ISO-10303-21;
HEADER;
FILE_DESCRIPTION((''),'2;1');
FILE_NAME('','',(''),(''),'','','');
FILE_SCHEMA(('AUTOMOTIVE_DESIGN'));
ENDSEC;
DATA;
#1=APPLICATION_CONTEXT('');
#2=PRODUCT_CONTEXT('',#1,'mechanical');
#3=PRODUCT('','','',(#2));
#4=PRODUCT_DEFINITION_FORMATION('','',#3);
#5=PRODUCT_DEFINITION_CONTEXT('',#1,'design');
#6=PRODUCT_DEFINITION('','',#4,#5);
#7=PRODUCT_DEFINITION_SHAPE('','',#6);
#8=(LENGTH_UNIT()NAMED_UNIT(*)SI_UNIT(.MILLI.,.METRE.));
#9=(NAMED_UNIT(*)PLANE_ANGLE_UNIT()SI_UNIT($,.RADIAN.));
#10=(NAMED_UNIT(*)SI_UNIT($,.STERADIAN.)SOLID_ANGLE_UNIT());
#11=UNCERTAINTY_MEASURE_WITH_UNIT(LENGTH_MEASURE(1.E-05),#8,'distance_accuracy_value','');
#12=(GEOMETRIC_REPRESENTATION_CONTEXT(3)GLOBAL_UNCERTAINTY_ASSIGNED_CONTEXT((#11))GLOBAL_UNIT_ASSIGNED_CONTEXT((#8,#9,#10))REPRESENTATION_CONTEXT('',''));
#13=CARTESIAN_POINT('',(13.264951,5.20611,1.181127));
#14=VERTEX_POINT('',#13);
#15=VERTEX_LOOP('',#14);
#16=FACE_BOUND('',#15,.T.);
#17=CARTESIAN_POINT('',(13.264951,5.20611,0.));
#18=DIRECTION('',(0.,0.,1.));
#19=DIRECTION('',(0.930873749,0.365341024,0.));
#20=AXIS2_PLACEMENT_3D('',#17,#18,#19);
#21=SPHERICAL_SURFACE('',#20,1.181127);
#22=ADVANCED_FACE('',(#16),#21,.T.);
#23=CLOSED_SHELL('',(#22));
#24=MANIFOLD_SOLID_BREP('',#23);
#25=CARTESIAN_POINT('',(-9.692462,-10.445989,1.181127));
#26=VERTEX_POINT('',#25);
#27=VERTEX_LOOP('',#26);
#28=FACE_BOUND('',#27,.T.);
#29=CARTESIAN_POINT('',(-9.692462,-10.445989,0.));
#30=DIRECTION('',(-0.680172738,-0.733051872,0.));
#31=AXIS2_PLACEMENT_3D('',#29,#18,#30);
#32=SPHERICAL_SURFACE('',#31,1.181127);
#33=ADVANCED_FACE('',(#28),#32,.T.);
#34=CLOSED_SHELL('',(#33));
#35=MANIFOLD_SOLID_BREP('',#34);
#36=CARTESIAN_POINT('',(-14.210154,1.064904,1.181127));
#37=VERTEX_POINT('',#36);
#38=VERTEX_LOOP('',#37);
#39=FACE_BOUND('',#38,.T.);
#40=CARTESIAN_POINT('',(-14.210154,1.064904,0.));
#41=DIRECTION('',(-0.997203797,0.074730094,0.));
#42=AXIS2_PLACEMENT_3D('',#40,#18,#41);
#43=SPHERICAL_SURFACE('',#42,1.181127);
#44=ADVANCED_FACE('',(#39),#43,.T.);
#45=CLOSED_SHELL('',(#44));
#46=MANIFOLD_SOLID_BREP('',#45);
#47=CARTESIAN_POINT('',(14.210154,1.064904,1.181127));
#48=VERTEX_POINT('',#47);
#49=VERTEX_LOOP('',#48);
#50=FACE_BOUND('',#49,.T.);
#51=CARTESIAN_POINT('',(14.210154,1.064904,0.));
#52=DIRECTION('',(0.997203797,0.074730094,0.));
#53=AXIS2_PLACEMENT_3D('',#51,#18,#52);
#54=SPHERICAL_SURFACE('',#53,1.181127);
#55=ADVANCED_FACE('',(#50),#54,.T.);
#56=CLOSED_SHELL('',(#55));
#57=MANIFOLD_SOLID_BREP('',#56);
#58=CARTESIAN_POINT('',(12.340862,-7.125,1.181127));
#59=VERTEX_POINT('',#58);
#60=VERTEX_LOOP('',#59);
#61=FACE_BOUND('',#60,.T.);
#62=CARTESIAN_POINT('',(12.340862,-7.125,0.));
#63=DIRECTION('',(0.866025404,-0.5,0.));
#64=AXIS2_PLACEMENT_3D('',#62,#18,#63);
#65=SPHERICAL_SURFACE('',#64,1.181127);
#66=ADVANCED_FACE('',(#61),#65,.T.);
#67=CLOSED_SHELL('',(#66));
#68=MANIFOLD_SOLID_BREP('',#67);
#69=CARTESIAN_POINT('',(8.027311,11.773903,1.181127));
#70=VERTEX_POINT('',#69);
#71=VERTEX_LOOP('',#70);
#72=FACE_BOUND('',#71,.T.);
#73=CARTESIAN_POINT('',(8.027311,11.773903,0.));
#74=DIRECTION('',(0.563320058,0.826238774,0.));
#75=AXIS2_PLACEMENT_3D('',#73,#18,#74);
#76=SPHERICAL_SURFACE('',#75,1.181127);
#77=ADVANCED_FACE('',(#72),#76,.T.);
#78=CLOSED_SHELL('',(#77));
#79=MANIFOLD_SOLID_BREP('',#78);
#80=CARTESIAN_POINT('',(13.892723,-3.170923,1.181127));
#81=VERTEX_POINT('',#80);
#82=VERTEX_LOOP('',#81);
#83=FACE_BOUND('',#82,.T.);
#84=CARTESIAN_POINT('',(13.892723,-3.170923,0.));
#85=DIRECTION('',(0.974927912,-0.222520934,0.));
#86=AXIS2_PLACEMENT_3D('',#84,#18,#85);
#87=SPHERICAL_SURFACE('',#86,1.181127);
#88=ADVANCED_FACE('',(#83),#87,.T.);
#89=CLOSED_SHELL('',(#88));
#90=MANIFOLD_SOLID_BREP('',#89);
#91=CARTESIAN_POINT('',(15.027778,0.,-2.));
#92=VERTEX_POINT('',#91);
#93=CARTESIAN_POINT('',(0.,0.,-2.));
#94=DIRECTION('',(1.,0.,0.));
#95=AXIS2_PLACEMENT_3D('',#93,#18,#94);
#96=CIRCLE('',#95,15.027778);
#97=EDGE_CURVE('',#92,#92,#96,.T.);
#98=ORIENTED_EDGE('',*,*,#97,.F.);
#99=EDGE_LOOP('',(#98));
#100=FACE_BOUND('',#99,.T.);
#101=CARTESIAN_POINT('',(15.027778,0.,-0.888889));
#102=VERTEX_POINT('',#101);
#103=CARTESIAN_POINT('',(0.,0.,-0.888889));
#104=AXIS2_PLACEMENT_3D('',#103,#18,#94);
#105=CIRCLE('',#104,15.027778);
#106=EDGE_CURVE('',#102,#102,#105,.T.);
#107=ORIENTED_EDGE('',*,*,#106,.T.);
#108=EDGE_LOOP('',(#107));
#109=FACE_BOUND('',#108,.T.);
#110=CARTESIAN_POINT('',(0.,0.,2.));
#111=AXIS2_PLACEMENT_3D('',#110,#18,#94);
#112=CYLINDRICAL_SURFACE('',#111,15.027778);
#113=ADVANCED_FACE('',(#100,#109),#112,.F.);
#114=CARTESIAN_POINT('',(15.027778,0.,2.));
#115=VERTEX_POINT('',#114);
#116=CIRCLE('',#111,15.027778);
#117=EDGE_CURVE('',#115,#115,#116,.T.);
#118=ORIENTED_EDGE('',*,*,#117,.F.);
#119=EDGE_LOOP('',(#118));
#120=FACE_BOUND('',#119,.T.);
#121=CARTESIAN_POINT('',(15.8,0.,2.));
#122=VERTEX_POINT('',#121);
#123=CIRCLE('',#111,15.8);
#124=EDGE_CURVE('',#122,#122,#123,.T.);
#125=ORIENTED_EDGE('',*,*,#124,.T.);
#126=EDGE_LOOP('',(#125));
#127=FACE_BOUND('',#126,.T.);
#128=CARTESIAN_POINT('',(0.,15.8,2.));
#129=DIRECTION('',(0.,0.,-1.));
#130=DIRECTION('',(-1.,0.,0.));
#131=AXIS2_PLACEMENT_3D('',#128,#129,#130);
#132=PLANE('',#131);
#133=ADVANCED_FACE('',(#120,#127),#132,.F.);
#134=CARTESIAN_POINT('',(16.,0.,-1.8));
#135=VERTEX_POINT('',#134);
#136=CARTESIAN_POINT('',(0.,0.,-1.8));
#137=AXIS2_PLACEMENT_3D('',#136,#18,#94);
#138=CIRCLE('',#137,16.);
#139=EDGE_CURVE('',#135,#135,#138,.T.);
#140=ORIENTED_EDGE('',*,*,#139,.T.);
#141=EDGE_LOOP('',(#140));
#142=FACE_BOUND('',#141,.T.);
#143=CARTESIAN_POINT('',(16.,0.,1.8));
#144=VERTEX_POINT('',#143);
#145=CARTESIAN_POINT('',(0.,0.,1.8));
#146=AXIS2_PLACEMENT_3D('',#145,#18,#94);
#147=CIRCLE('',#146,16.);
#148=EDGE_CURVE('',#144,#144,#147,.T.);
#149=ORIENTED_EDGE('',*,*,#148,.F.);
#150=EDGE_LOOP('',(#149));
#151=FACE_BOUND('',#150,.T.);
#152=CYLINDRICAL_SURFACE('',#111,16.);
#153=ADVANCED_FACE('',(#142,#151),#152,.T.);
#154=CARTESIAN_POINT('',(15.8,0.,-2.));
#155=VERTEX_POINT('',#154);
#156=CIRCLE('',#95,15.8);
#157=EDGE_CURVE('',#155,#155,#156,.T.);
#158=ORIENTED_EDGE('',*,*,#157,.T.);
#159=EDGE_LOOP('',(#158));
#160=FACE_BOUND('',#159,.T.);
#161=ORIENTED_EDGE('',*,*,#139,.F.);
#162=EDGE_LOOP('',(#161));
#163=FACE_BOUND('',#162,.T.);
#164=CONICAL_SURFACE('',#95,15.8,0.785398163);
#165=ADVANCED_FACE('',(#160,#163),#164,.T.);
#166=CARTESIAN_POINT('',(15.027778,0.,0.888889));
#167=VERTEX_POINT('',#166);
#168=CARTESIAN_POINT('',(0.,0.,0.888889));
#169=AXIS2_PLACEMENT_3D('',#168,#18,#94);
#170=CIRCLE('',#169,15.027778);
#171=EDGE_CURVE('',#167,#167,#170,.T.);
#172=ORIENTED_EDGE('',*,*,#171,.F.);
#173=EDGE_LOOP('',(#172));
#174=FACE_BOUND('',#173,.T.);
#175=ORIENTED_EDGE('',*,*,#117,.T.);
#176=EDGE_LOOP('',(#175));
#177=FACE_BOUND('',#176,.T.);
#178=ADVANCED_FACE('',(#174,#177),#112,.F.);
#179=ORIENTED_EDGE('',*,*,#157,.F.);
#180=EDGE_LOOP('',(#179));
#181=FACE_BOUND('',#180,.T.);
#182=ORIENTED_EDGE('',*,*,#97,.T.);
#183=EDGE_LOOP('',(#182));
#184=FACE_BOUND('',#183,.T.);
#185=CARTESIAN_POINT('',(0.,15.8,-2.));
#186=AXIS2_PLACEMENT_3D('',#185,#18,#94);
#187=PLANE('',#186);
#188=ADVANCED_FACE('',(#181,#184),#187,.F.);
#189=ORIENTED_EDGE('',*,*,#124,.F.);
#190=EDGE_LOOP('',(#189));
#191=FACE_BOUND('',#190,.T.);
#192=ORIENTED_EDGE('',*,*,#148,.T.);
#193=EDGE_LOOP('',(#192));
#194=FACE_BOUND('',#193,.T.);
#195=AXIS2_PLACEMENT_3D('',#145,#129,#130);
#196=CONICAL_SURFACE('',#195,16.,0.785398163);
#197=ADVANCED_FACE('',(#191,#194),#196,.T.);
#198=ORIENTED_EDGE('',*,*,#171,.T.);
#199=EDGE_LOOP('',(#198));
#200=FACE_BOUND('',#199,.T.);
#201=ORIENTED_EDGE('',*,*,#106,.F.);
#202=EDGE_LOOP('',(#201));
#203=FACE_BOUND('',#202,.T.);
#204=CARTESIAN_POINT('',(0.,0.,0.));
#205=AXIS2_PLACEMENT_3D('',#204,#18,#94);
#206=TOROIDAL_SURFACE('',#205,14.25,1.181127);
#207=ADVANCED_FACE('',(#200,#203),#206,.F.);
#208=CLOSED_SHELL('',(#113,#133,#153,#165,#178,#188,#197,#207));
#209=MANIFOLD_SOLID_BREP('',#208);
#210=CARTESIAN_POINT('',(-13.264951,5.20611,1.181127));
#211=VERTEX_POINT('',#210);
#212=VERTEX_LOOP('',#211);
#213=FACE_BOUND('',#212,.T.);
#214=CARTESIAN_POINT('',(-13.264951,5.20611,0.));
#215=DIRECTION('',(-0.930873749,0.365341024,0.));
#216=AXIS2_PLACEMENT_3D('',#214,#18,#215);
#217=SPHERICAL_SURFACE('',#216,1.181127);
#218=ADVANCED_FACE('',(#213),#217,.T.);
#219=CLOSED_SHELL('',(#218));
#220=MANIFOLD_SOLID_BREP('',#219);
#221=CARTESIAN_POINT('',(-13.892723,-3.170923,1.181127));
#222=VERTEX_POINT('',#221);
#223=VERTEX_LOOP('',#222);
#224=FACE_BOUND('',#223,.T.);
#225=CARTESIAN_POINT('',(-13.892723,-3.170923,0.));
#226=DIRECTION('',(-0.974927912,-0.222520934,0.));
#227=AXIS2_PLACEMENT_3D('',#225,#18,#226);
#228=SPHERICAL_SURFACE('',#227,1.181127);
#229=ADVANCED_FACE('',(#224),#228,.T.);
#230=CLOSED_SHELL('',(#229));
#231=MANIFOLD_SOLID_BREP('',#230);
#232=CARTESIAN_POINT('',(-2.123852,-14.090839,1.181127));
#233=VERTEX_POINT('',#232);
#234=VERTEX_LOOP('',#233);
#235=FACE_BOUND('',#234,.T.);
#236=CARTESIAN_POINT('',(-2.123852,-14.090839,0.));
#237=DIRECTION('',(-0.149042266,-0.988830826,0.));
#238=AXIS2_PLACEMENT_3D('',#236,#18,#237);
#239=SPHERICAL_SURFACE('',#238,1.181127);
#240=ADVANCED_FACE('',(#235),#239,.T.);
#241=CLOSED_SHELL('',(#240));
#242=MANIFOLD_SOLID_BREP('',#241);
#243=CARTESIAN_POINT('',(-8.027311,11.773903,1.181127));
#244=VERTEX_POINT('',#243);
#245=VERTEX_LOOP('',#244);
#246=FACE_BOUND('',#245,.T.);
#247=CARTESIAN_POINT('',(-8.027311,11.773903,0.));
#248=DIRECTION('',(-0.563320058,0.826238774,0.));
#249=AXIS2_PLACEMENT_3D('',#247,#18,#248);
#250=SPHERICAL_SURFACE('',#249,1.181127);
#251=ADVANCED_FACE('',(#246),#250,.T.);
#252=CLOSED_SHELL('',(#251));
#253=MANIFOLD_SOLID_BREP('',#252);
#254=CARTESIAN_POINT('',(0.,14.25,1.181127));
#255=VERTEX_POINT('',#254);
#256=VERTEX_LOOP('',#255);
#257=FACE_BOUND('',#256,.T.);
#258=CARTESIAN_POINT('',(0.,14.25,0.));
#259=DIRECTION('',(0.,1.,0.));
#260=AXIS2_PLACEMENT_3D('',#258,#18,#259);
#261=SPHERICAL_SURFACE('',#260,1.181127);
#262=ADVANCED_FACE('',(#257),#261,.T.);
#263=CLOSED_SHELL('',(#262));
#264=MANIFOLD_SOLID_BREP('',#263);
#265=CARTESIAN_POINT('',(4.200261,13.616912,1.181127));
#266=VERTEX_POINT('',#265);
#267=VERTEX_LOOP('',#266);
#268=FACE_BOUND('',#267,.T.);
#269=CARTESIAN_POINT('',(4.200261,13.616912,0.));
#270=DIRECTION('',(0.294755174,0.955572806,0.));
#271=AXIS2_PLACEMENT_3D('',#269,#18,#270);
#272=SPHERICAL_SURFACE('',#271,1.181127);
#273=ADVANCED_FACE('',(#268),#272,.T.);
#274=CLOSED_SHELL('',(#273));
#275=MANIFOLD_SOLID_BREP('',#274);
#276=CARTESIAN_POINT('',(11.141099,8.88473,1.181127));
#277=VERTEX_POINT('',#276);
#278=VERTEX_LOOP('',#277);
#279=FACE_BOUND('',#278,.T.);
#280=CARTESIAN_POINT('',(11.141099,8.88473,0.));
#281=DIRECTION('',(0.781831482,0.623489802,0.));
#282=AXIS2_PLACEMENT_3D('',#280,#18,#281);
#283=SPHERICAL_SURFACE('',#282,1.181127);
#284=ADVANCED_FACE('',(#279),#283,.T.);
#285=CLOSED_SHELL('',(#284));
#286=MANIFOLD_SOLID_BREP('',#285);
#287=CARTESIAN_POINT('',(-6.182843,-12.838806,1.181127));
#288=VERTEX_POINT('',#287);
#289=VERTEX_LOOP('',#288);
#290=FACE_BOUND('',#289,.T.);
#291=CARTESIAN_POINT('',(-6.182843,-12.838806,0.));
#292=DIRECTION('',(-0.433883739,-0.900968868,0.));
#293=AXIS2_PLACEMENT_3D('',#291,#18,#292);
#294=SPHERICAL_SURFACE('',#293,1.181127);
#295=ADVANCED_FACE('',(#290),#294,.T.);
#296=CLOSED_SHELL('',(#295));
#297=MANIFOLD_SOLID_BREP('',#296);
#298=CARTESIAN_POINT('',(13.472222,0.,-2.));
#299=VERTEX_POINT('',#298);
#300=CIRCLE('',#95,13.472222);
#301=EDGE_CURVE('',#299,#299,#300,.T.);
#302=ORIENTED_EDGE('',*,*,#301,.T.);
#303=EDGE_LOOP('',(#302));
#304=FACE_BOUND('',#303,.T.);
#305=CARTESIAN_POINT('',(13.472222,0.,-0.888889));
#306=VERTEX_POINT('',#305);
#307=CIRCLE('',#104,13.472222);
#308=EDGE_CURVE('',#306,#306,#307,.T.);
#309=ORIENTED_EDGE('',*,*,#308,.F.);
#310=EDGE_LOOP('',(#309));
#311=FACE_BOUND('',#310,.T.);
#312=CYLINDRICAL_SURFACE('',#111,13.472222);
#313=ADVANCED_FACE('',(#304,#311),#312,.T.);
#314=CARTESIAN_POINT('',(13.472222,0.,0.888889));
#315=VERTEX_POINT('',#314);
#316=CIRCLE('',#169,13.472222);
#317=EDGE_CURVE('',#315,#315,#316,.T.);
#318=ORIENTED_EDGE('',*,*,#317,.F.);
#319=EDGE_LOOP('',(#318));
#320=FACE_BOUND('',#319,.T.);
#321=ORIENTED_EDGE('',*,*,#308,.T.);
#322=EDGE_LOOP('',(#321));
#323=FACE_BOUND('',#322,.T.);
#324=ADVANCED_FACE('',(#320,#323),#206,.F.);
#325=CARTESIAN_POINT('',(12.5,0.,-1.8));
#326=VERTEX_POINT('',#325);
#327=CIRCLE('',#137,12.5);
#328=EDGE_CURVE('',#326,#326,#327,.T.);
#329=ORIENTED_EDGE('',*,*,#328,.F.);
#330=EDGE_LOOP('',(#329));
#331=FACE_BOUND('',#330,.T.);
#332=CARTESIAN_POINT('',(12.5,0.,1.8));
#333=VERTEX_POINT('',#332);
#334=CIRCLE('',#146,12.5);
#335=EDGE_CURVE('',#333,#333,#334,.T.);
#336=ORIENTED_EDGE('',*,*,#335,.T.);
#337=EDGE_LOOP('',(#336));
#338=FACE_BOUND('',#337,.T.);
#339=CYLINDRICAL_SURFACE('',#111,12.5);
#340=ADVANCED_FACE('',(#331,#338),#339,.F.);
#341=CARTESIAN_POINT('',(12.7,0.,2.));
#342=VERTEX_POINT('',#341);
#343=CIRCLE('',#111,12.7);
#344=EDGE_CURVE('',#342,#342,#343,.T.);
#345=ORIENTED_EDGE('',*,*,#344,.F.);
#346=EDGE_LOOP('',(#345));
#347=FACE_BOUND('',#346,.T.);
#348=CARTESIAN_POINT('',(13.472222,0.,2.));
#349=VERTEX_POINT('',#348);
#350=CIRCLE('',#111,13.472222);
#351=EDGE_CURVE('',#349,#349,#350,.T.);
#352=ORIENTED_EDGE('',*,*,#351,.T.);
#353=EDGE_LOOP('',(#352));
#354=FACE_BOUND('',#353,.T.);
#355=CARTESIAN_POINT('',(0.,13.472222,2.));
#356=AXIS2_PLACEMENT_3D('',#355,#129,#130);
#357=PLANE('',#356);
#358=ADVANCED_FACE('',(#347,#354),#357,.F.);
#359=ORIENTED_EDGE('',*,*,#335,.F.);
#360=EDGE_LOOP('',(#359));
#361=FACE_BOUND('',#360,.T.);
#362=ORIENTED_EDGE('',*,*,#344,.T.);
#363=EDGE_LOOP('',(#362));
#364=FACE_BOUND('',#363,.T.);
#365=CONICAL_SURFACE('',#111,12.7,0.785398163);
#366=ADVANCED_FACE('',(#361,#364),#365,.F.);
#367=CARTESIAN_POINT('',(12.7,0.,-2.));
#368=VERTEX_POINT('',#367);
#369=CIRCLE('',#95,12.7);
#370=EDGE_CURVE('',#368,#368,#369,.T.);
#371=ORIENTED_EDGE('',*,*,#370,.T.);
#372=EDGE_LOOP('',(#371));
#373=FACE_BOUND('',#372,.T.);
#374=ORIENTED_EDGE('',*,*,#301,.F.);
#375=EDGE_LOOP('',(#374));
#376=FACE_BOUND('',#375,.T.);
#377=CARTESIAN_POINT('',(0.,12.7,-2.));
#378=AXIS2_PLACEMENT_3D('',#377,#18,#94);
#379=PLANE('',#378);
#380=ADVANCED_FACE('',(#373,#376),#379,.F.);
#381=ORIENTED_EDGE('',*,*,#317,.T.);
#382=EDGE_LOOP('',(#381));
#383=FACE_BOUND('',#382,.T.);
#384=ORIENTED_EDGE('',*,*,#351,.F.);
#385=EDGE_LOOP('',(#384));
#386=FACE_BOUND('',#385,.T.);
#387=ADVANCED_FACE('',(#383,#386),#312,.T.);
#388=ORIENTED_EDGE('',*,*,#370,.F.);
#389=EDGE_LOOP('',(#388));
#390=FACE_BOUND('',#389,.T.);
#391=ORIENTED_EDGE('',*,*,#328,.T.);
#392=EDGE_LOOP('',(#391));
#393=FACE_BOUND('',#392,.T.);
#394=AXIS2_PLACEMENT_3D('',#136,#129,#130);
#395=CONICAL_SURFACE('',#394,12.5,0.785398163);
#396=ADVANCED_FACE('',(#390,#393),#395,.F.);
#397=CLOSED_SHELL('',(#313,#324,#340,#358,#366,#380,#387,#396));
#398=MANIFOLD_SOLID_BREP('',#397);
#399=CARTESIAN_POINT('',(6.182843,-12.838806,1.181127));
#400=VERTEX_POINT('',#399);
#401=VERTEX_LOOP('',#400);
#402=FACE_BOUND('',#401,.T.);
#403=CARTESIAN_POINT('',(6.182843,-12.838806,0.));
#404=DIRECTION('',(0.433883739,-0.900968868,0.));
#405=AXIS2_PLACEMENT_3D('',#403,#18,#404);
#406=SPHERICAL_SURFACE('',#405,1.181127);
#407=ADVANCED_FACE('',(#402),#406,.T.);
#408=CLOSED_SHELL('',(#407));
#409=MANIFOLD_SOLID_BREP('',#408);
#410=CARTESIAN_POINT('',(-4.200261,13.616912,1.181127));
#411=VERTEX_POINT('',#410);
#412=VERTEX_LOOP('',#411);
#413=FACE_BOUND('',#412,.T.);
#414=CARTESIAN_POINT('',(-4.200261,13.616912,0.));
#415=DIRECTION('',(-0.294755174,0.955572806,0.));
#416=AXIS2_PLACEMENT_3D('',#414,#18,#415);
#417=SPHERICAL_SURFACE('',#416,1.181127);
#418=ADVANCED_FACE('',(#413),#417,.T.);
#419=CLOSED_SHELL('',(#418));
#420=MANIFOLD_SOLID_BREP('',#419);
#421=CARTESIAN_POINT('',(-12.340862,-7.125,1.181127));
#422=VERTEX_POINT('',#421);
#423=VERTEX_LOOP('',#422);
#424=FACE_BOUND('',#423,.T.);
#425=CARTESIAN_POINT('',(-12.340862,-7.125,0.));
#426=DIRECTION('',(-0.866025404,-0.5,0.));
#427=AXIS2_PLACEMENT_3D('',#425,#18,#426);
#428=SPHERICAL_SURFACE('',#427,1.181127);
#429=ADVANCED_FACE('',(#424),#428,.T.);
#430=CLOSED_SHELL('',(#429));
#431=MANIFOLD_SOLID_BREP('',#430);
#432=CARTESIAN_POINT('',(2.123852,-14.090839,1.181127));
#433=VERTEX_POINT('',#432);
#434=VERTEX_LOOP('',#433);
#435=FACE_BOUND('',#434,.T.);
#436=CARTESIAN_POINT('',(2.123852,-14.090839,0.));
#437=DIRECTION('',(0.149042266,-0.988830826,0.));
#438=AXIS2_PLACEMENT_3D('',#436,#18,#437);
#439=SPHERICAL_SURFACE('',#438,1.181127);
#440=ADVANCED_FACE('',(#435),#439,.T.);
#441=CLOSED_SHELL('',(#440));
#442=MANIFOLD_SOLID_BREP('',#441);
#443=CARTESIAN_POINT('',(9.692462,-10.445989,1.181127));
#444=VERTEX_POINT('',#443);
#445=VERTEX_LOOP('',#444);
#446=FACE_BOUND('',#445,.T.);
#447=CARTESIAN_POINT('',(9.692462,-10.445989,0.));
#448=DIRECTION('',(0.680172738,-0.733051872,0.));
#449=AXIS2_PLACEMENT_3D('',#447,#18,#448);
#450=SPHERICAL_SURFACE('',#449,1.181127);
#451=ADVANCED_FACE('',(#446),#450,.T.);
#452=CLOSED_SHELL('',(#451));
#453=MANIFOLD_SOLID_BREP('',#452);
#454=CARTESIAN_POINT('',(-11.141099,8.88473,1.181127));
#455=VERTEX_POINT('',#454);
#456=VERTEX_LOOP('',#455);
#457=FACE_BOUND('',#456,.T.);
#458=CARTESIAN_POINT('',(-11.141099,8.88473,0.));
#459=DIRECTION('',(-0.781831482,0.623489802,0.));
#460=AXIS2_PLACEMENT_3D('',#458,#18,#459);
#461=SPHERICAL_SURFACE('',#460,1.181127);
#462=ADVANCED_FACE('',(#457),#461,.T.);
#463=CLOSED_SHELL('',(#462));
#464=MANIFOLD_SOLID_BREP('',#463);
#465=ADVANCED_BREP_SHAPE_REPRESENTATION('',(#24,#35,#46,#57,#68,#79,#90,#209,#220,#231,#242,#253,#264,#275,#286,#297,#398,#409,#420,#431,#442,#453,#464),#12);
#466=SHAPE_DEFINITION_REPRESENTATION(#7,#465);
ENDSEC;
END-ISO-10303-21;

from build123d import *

# Parameters (mm, degrees)
CIRPATTERN1_COUNT = 21


with BuildPart() as part:
    # Sketch5 → Revolve1 (revolve)
    with BuildSketch(Plane(origin=(0, 0, 0), x_dir=(0, 0, -1), z_dir=(1, 0, 0))):
        with BuildLine():
            Line((1.8, 16), (-1.8, 16))
            Line((-1.8, 16), (-2, 15.8))
            Line((-2, 15.8), (-2, 15.027777778))
            Line((-2, 15.027777778), (-0.888888889, 15.027777778))
            ThreePointArc((-0.888888889, 15.027777778), (0, 15.431127313), (0.888888889, 15.027777778))
            Line((0.888888889, 15.027777778), (2, 15.027777778))
            Line((2, 15.027777778), (2, 15.8))
            Line((2, 15.8), (1.8, 16))
        make_face()
    revolve(axis=Axis((0, 0, 2), (0, 0, -1)))


with BuildPart() as body_2:
    # Sketch3 → Revolve3 (revolve)
    with BuildSketch(Plane(origin=(0, 0, 0), x_dir=(0, 0, -1), z_dir=(1, 0, 0))):
        with BuildLine():
            Line((-2, 13.472222222), (-0.888888889, 13.472222222))
            ThreePointArc((-0.888888889, 13.472222222), (0, 13.068872687), (0.888888889, 13.472222222))
            Line((0.888888889, 13.472222222), (2, 13.472222222))
            Line((2, 13.472222222), (2, 12.7))
            Line((2, 12.7), (1.8, 12.5))
            Line((1.8, 12.5), (-1.8, 12.5))
            Line((-1.8, 12.5), (-2, 12.7))
            Line((-2, 12.7), (-2, 13.472222222))
        make_face()
    revolve(axis=Axis((0, 0, 2), (0, 0, -1)))


with BuildPart() as body_3:
    # Sketch4 → Revolve4 (revolve)
    with BuildSketch(Plane(origin=(0, 0, 0), x_dir=(0, 0, -1), z_dir=(1, 0, 0))):
        with BuildLine():
            Line((-1.181127313, 14.25), (1.181127313, 14.25))
            ThreePointArc((1.181127313, 14.25), (0, 15.431127313), (-1.181127313, 14.25))
        make_face()
    revolve(axis=Axis((0, 14.25, 1.181127313), (0, 0, -1)))


with BuildPart() as cirpattern1_1:
    # CirPattern1: pattern copy
    add(body_3.part.rotate(Axis((0, 0, 0), (0, 0, 1)), 1 * 360 / CIRPATTERN1_COUNT))


with BuildPart() as cirpattern1_2:
    # CirPattern1: pattern copy
    add(body_3.part.rotate(Axis((0, 0, 0), (0, 0, 1)), 2 * 360 / CIRPATTERN1_COUNT))


with BuildPart() as cirpattern1_3:
    # CirPattern1: pattern copy
    add(body_3.part.rotate(Axis((0, 0, 0), (0, 0, 1)), 3 * 360 / CIRPATTERN1_COUNT))


with BuildPart() as cirpattern1_4:
    # CirPattern1: pattern copy
    add(body_3.part.rotate(Axis((0, 0, 0), (0, 0, 1)), 4 * 360 / CIRPATTERN1_COUNT))


with BuildPart() as cirpattern1_5:
    # CirPattern1: pattern copy
    add(body_3.part.rotate(Axis((0, 0, 0), (0, 0, 1)), 5 * 360 / CIRPATTERN1_COUNT))


with BuildPart() as cirpattern1_6:
    # CirPattern1: pattern copy
    add(body_3.part.rotate(Axis((0, 0, 0), (0, 0, 1)), 6 * 360 / CIRPATTERN1_COUNT))


with BuildPart() as cirpattern1_7:
    # CirPattern1: pattern copy
    add(body_3.part.rotate(Axis((0, 0, 0), (0, 0, 1)), 7 * 360 / CIRPATTERN1_COUNT))


with BuildPart() as cirpattern1_8:
    # CirPattern1: pattern copy
    add(body_3.part.rotate(Axis((0, 0, 0), (0, 0, 1)), 8 * 360 / CIRPATTERN1_COUNT))


with BuildPart() as cirpattern1_9:
    # CirPattern1: pattern copy
    add(body_3.part.rotate(Axis((0, 0, 0), (0, 0, 1)), 9 * 360 / CIRPATTERN1_COUNT))


with BuildPart() as cirpattern1_10:
    # CirPattern1: pattern copy
    add(body_3.part.rotate(Axis((0, 0, 0), (0, 0, 1)), 10 * 360 / CIRPATTERN1_COUNT))


with BuildPart() as cirpattern1_11:
    # CirPattern1: pattern copy
    add(body_3.part.rotate(Axis((0, 0, 0), (0, 0, 1)), 11 * 360 / CIRPATTERN1_COUNT))


with BuildPart() as cirpattern1_12:
    # CirPattern1: pattern copy
    add(body_3.part.rotate(Axis((0, 0, 0), (0, 0, 1)), 12 * 360 / CIRPATTERN1_COUNT))


with BuildPart() as cirpattern1_13:
    # CirPattern1: pattern copy
    add(body_3.part.rotate(Axis((0, 0, 0), (0, 0, 1)), 13 * 360 / CIRPATTERN1_COUNT))


with BuildPart() as cirpattern1_14:
    # CirPattern1: pattern copy
    add(body_3.part.rotate(Axis((0, 0, 0), (0, 0, 1)), 14 * 360 / CIRPATTERN1_COUNT))


with BuildPart() as cirpattern1_15:
    # CirPattern1: pattern copy
    add(body_3.part.rotate(Axis((0, 0, 0), (0, 0, 1)), 15 * 360 / CIRPATTERN1_COUNT))


with BuildPart() as cirpattern1_16:
    # CirPattern1: pattern copy
    add(body_3.part.rotate(Axis((0, 0, 0), (0, 0, 1)), 16 * 360 / CIRPATTERN1_COUNT))


with BuildPart() as cirpattern1_17:
    # CirPattern1: pattern copy
    add(body_3.part.rotate(Axis((0, 0, 0), (0, 0, 1)), 17 * 360 / CIRPATTERN1_COUNT))


with BuildPart() as cirpattern1_18:
    # CirPattern1: pattern copy
    add(body_3.part.rotate(Axis((0, 0, 0), (0, 0, 1)), 18 * 360 / CIRPATTERN1_COUNT))


with BuildPart() as cirpattern1_19:
    # CirPattern1: pattern copy
    add(body_3.part.rotate(Axis((0, 0, 0), (0, 0, 1)), 19 * 360 / CIRPATTERN1_COUNT))


with BuildPart() as cirpattern1_20:
    # CirPattern1: pattern copy
    add(body_3.part.rotate(Axis((0, 0, 0), (0, 0, 1)), 20 * 360 / CIRPATTERN1_COUNT))


solid = Compound([part.part, body_2.part, body_3.part, cirpattern1_1.part, cirpattern1_2.part, cirpattern1_3.part, cirpattern1_4.part, cirpattern1_5.part, cirpattern1_6.part, cirpattern1_7.part, cirpattern1_8.part, cirpattern1_9.part, cirpattern1_10.part, cirpattern1_11.part, cirpattern1_12.part, cirpattern1_13.part, cirpattern1_14.part, cirpattern1_15.part, cirpattern1_16.part, cirpattern1_17.part, cirpattern1_18.part, cirpattern1_19.part, cirpattern1_20.part])
